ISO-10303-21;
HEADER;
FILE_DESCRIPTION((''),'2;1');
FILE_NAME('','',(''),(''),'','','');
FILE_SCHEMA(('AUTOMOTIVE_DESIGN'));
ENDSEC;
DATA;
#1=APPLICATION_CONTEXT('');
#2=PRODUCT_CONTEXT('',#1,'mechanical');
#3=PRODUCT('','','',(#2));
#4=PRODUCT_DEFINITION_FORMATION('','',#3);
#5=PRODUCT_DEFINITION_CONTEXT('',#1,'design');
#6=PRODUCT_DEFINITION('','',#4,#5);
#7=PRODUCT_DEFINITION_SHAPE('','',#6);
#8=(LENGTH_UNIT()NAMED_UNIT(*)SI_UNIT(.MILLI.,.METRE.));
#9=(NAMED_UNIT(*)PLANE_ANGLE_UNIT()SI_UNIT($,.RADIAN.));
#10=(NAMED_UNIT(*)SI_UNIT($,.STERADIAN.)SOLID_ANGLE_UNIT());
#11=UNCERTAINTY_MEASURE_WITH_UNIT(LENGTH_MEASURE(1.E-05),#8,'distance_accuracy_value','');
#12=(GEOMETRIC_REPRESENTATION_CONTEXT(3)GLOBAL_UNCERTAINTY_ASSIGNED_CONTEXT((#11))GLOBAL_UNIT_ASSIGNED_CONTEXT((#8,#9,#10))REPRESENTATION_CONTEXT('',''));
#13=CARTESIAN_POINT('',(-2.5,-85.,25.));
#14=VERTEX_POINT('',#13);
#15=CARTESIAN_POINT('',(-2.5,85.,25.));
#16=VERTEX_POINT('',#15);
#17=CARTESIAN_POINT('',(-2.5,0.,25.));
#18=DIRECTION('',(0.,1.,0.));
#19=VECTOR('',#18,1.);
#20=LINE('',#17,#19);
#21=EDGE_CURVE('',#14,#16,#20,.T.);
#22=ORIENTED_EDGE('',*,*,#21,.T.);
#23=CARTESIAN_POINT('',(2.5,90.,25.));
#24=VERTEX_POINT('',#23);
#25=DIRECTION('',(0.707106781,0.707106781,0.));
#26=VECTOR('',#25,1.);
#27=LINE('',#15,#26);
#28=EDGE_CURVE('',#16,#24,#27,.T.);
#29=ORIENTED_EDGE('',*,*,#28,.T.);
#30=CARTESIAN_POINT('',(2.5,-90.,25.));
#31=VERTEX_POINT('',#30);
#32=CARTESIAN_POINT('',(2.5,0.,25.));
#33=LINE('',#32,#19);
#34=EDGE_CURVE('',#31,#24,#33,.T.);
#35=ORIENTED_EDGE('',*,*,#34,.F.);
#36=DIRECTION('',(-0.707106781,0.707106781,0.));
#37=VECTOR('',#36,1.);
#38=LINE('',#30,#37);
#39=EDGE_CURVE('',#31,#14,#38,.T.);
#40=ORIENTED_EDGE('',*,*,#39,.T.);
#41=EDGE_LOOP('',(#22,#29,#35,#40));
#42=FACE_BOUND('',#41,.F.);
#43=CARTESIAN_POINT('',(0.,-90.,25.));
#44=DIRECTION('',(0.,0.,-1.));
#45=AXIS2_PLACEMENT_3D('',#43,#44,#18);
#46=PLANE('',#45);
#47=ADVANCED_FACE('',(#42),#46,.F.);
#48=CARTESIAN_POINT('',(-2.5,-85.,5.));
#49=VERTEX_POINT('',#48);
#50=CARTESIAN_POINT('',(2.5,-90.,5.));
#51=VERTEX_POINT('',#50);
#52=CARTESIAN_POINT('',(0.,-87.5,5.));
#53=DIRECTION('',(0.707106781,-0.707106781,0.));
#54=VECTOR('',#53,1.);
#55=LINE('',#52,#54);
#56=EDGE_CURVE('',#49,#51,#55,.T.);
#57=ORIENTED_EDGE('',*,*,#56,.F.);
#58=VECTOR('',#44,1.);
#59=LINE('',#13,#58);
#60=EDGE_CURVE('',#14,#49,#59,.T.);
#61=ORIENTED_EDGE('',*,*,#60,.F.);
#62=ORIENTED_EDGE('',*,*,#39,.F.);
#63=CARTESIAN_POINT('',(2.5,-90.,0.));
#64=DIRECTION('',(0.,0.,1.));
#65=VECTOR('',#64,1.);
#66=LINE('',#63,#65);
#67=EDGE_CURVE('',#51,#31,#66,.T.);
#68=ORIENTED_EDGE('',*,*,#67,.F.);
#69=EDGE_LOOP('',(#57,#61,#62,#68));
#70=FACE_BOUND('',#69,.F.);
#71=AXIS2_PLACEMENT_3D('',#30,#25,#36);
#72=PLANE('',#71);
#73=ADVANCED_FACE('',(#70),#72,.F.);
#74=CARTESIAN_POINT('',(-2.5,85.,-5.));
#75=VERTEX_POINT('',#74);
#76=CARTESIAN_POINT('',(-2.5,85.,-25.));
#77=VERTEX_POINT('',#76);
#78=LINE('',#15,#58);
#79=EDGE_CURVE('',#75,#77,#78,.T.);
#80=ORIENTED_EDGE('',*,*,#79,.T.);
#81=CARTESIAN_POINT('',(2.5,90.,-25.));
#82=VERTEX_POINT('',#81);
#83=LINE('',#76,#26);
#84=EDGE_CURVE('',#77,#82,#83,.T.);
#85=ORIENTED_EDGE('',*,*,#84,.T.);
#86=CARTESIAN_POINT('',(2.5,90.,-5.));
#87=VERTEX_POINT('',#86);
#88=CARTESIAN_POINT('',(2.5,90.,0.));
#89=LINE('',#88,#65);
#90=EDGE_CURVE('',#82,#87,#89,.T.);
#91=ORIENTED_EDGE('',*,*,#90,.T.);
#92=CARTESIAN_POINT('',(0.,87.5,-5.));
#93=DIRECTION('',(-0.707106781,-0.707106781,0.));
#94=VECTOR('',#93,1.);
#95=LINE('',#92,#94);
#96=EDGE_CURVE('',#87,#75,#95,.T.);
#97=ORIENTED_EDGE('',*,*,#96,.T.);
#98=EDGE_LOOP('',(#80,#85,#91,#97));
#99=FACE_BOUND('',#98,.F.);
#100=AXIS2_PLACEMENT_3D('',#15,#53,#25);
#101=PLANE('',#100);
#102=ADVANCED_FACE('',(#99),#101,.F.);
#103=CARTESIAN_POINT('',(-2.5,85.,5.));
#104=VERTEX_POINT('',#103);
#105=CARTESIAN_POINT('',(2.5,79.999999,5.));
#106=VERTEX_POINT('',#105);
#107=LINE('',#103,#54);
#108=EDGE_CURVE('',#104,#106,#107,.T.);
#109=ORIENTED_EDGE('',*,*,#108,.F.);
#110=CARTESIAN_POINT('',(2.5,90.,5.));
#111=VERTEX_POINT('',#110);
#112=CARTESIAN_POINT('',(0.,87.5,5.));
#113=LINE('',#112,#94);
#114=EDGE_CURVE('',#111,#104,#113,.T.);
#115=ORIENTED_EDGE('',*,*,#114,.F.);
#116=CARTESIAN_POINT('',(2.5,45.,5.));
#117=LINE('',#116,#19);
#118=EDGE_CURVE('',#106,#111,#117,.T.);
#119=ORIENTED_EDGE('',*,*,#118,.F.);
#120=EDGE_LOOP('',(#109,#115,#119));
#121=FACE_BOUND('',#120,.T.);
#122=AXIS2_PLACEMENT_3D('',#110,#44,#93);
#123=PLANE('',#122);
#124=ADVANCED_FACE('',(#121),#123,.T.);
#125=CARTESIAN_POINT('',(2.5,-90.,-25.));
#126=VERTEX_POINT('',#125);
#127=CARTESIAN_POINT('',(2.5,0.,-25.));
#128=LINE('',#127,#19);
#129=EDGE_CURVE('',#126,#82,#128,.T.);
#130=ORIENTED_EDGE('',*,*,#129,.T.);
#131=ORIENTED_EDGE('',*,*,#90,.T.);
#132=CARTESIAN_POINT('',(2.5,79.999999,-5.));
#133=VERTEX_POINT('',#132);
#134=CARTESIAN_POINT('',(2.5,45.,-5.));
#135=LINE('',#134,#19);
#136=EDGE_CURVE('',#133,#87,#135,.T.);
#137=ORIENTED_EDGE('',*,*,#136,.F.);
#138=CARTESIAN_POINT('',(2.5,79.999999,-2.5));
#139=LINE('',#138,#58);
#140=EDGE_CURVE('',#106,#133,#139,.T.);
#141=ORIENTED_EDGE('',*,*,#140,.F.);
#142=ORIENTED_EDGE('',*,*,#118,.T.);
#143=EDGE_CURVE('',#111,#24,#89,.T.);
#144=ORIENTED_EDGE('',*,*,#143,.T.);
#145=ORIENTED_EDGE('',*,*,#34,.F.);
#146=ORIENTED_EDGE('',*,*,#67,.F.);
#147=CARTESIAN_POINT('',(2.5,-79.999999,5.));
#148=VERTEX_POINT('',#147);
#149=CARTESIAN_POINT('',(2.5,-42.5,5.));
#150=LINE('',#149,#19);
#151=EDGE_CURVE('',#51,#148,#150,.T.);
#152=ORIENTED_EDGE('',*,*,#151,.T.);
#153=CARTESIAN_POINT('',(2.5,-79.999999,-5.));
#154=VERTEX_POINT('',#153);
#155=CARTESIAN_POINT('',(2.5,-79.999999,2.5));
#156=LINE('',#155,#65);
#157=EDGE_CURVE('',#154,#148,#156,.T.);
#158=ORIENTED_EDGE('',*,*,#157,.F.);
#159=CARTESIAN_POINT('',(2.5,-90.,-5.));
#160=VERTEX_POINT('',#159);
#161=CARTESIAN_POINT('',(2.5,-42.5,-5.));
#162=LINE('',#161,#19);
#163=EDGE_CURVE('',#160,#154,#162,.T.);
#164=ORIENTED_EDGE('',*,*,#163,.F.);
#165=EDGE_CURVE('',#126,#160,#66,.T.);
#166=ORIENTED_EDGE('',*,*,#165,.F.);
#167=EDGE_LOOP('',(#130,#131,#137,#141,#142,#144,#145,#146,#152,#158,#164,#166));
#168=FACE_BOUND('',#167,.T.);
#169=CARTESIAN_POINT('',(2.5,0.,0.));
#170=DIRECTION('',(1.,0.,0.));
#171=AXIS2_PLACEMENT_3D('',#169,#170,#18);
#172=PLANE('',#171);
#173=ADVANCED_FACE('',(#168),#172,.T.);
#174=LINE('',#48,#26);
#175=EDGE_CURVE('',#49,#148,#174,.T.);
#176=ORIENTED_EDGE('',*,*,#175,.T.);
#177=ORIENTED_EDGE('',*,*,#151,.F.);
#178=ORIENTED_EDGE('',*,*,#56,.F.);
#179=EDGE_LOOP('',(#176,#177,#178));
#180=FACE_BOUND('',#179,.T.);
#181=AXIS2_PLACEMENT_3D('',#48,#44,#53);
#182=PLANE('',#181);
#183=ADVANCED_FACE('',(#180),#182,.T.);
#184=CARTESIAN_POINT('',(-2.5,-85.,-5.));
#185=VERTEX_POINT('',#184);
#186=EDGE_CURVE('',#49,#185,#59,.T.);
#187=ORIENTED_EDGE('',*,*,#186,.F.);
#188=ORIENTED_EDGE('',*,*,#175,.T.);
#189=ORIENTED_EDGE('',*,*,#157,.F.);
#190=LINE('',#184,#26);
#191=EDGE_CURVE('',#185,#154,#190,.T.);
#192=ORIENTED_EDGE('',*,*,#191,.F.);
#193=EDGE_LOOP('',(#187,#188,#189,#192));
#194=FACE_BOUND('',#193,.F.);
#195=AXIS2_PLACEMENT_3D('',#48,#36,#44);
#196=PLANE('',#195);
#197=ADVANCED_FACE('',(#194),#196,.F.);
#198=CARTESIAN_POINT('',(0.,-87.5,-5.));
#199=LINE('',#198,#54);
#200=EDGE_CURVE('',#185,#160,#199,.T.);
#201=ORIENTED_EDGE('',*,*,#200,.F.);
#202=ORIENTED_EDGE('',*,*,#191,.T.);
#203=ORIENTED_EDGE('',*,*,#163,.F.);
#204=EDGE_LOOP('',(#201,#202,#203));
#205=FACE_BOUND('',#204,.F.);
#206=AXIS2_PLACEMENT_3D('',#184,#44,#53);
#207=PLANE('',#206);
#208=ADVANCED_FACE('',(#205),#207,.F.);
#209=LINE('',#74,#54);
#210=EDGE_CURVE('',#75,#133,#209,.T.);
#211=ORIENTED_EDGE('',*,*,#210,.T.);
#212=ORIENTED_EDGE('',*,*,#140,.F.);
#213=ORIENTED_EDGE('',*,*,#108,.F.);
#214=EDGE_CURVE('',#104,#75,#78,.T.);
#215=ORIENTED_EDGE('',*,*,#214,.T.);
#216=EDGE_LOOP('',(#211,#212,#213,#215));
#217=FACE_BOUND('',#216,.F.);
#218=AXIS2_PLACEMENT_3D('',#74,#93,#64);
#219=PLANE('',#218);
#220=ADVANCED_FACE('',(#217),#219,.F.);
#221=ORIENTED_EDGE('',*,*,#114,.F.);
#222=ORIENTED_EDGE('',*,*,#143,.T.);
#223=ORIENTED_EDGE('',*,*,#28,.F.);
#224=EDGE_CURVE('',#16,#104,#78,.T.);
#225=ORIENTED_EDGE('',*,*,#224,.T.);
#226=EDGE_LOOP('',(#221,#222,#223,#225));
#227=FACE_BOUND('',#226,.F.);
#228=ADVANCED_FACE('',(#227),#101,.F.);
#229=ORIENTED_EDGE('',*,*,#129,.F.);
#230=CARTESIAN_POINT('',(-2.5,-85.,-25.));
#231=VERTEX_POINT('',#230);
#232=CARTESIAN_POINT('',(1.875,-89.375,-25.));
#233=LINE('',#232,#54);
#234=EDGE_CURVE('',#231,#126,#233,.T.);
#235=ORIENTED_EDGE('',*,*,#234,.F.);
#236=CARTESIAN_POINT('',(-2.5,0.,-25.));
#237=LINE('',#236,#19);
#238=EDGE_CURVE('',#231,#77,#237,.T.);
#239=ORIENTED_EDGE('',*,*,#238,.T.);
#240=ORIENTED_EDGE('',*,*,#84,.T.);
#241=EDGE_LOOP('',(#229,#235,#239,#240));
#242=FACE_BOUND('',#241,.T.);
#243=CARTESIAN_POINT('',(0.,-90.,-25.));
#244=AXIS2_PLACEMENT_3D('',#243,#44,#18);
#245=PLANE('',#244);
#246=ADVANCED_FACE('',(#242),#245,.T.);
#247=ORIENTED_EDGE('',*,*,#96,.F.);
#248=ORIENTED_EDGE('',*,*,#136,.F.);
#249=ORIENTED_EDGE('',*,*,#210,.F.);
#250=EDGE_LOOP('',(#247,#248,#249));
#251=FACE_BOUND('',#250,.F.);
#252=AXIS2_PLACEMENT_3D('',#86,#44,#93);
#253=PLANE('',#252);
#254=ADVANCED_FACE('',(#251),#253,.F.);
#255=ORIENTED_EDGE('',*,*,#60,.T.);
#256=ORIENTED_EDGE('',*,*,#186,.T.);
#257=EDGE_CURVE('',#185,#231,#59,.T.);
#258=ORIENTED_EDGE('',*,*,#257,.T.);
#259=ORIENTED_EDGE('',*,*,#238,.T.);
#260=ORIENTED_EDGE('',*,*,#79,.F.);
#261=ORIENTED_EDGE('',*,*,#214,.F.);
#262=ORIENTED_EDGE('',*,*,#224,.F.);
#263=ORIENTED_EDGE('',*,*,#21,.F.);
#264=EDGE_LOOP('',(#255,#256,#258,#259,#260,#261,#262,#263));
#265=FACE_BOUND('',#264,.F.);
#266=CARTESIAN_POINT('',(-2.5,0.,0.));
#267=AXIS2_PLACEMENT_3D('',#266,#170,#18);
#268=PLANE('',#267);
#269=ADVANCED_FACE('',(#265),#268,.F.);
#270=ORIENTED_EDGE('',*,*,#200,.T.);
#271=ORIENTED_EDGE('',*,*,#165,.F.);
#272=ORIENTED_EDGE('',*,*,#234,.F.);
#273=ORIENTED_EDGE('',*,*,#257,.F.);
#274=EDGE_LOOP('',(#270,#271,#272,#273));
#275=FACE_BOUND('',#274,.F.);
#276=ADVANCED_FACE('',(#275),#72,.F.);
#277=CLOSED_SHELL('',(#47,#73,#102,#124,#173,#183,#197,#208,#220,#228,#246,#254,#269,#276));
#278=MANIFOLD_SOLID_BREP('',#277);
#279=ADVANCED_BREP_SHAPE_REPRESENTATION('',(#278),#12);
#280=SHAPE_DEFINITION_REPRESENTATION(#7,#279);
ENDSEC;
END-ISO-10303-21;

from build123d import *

# Parameters (mm, degrees)
F0_W     = 180
F0_H     = 50
F1_DEPTH = 2.5
F3_DEPTH = 60
F5_DEPTH = 50
F6_W     = 7.071068
F6_H     = 5
F7_DEPTH = 25
F8_W     = 7.071068
F8_H     = 5
F9_DEPTH = 25


with BuildPart() as f1:
    # F0 (on Right) → F1 (new body, symmetric)
    with BuildSketch(Plane.YZ):
        Rectangle(F0_W, F0_H)
    extrude(amount=F1_DEPTH, both=True)

    # F2 (on face) → F3 (cut)
    with BuildSketch(Plane.XY.offset(25)):
        Polygon((-2.5, -85), (-2.5, -90), (2.5, -90), align=None)
    extrude(amount=-F3_DEPTH, mode=Mode.SUBTRACT)

    # F4 (on face) → F5 (cut)
    with BuildSketch(Plane.XY.offset(25)):
        Polygon((2.5, 90), (-2.5, 90), (-2.5, 85), align=None)
    extrude(amount=-F5_DEPTH, mode=Mode.SUBTRACT)

    # F6 (on face) → F7 (cut)
    with BuildSketch(Plane(origin=(-43.75, -43.75, 0), x_dir=(0.707107, -0.707107, 0), z_dir=(-0.707107, -0.707107, 0))):
        with Locations((61.871843, -2.5)):
            Rectangle(F6_W, F6_H)
        with Locations((61.871843, 2.5)):
            Rectangle(F6_W, F6_H)
    extrude(amount=-F7_DEPTH, mode=Mode.SUBTRACT)

    # F8 (on face) → F9 (cut)
    with BuildSketch(Plane(origin=(-43.75, 43.75, 0), x_dir=(-0.707107, -0.707107, 0), z_dir=(-0.707107, 0.707107, 0))):
        with Locations((-61.871843, -2.5)):
            Rectangle(F8_W, F8_H)
        with Locations((-61.871843, 2.5)):
            Rectangle(F8_W, F8_H)
    extrude(amount=-F9_DEPTH, mode=Mode.SUBTRACT)


solid = f1.part
